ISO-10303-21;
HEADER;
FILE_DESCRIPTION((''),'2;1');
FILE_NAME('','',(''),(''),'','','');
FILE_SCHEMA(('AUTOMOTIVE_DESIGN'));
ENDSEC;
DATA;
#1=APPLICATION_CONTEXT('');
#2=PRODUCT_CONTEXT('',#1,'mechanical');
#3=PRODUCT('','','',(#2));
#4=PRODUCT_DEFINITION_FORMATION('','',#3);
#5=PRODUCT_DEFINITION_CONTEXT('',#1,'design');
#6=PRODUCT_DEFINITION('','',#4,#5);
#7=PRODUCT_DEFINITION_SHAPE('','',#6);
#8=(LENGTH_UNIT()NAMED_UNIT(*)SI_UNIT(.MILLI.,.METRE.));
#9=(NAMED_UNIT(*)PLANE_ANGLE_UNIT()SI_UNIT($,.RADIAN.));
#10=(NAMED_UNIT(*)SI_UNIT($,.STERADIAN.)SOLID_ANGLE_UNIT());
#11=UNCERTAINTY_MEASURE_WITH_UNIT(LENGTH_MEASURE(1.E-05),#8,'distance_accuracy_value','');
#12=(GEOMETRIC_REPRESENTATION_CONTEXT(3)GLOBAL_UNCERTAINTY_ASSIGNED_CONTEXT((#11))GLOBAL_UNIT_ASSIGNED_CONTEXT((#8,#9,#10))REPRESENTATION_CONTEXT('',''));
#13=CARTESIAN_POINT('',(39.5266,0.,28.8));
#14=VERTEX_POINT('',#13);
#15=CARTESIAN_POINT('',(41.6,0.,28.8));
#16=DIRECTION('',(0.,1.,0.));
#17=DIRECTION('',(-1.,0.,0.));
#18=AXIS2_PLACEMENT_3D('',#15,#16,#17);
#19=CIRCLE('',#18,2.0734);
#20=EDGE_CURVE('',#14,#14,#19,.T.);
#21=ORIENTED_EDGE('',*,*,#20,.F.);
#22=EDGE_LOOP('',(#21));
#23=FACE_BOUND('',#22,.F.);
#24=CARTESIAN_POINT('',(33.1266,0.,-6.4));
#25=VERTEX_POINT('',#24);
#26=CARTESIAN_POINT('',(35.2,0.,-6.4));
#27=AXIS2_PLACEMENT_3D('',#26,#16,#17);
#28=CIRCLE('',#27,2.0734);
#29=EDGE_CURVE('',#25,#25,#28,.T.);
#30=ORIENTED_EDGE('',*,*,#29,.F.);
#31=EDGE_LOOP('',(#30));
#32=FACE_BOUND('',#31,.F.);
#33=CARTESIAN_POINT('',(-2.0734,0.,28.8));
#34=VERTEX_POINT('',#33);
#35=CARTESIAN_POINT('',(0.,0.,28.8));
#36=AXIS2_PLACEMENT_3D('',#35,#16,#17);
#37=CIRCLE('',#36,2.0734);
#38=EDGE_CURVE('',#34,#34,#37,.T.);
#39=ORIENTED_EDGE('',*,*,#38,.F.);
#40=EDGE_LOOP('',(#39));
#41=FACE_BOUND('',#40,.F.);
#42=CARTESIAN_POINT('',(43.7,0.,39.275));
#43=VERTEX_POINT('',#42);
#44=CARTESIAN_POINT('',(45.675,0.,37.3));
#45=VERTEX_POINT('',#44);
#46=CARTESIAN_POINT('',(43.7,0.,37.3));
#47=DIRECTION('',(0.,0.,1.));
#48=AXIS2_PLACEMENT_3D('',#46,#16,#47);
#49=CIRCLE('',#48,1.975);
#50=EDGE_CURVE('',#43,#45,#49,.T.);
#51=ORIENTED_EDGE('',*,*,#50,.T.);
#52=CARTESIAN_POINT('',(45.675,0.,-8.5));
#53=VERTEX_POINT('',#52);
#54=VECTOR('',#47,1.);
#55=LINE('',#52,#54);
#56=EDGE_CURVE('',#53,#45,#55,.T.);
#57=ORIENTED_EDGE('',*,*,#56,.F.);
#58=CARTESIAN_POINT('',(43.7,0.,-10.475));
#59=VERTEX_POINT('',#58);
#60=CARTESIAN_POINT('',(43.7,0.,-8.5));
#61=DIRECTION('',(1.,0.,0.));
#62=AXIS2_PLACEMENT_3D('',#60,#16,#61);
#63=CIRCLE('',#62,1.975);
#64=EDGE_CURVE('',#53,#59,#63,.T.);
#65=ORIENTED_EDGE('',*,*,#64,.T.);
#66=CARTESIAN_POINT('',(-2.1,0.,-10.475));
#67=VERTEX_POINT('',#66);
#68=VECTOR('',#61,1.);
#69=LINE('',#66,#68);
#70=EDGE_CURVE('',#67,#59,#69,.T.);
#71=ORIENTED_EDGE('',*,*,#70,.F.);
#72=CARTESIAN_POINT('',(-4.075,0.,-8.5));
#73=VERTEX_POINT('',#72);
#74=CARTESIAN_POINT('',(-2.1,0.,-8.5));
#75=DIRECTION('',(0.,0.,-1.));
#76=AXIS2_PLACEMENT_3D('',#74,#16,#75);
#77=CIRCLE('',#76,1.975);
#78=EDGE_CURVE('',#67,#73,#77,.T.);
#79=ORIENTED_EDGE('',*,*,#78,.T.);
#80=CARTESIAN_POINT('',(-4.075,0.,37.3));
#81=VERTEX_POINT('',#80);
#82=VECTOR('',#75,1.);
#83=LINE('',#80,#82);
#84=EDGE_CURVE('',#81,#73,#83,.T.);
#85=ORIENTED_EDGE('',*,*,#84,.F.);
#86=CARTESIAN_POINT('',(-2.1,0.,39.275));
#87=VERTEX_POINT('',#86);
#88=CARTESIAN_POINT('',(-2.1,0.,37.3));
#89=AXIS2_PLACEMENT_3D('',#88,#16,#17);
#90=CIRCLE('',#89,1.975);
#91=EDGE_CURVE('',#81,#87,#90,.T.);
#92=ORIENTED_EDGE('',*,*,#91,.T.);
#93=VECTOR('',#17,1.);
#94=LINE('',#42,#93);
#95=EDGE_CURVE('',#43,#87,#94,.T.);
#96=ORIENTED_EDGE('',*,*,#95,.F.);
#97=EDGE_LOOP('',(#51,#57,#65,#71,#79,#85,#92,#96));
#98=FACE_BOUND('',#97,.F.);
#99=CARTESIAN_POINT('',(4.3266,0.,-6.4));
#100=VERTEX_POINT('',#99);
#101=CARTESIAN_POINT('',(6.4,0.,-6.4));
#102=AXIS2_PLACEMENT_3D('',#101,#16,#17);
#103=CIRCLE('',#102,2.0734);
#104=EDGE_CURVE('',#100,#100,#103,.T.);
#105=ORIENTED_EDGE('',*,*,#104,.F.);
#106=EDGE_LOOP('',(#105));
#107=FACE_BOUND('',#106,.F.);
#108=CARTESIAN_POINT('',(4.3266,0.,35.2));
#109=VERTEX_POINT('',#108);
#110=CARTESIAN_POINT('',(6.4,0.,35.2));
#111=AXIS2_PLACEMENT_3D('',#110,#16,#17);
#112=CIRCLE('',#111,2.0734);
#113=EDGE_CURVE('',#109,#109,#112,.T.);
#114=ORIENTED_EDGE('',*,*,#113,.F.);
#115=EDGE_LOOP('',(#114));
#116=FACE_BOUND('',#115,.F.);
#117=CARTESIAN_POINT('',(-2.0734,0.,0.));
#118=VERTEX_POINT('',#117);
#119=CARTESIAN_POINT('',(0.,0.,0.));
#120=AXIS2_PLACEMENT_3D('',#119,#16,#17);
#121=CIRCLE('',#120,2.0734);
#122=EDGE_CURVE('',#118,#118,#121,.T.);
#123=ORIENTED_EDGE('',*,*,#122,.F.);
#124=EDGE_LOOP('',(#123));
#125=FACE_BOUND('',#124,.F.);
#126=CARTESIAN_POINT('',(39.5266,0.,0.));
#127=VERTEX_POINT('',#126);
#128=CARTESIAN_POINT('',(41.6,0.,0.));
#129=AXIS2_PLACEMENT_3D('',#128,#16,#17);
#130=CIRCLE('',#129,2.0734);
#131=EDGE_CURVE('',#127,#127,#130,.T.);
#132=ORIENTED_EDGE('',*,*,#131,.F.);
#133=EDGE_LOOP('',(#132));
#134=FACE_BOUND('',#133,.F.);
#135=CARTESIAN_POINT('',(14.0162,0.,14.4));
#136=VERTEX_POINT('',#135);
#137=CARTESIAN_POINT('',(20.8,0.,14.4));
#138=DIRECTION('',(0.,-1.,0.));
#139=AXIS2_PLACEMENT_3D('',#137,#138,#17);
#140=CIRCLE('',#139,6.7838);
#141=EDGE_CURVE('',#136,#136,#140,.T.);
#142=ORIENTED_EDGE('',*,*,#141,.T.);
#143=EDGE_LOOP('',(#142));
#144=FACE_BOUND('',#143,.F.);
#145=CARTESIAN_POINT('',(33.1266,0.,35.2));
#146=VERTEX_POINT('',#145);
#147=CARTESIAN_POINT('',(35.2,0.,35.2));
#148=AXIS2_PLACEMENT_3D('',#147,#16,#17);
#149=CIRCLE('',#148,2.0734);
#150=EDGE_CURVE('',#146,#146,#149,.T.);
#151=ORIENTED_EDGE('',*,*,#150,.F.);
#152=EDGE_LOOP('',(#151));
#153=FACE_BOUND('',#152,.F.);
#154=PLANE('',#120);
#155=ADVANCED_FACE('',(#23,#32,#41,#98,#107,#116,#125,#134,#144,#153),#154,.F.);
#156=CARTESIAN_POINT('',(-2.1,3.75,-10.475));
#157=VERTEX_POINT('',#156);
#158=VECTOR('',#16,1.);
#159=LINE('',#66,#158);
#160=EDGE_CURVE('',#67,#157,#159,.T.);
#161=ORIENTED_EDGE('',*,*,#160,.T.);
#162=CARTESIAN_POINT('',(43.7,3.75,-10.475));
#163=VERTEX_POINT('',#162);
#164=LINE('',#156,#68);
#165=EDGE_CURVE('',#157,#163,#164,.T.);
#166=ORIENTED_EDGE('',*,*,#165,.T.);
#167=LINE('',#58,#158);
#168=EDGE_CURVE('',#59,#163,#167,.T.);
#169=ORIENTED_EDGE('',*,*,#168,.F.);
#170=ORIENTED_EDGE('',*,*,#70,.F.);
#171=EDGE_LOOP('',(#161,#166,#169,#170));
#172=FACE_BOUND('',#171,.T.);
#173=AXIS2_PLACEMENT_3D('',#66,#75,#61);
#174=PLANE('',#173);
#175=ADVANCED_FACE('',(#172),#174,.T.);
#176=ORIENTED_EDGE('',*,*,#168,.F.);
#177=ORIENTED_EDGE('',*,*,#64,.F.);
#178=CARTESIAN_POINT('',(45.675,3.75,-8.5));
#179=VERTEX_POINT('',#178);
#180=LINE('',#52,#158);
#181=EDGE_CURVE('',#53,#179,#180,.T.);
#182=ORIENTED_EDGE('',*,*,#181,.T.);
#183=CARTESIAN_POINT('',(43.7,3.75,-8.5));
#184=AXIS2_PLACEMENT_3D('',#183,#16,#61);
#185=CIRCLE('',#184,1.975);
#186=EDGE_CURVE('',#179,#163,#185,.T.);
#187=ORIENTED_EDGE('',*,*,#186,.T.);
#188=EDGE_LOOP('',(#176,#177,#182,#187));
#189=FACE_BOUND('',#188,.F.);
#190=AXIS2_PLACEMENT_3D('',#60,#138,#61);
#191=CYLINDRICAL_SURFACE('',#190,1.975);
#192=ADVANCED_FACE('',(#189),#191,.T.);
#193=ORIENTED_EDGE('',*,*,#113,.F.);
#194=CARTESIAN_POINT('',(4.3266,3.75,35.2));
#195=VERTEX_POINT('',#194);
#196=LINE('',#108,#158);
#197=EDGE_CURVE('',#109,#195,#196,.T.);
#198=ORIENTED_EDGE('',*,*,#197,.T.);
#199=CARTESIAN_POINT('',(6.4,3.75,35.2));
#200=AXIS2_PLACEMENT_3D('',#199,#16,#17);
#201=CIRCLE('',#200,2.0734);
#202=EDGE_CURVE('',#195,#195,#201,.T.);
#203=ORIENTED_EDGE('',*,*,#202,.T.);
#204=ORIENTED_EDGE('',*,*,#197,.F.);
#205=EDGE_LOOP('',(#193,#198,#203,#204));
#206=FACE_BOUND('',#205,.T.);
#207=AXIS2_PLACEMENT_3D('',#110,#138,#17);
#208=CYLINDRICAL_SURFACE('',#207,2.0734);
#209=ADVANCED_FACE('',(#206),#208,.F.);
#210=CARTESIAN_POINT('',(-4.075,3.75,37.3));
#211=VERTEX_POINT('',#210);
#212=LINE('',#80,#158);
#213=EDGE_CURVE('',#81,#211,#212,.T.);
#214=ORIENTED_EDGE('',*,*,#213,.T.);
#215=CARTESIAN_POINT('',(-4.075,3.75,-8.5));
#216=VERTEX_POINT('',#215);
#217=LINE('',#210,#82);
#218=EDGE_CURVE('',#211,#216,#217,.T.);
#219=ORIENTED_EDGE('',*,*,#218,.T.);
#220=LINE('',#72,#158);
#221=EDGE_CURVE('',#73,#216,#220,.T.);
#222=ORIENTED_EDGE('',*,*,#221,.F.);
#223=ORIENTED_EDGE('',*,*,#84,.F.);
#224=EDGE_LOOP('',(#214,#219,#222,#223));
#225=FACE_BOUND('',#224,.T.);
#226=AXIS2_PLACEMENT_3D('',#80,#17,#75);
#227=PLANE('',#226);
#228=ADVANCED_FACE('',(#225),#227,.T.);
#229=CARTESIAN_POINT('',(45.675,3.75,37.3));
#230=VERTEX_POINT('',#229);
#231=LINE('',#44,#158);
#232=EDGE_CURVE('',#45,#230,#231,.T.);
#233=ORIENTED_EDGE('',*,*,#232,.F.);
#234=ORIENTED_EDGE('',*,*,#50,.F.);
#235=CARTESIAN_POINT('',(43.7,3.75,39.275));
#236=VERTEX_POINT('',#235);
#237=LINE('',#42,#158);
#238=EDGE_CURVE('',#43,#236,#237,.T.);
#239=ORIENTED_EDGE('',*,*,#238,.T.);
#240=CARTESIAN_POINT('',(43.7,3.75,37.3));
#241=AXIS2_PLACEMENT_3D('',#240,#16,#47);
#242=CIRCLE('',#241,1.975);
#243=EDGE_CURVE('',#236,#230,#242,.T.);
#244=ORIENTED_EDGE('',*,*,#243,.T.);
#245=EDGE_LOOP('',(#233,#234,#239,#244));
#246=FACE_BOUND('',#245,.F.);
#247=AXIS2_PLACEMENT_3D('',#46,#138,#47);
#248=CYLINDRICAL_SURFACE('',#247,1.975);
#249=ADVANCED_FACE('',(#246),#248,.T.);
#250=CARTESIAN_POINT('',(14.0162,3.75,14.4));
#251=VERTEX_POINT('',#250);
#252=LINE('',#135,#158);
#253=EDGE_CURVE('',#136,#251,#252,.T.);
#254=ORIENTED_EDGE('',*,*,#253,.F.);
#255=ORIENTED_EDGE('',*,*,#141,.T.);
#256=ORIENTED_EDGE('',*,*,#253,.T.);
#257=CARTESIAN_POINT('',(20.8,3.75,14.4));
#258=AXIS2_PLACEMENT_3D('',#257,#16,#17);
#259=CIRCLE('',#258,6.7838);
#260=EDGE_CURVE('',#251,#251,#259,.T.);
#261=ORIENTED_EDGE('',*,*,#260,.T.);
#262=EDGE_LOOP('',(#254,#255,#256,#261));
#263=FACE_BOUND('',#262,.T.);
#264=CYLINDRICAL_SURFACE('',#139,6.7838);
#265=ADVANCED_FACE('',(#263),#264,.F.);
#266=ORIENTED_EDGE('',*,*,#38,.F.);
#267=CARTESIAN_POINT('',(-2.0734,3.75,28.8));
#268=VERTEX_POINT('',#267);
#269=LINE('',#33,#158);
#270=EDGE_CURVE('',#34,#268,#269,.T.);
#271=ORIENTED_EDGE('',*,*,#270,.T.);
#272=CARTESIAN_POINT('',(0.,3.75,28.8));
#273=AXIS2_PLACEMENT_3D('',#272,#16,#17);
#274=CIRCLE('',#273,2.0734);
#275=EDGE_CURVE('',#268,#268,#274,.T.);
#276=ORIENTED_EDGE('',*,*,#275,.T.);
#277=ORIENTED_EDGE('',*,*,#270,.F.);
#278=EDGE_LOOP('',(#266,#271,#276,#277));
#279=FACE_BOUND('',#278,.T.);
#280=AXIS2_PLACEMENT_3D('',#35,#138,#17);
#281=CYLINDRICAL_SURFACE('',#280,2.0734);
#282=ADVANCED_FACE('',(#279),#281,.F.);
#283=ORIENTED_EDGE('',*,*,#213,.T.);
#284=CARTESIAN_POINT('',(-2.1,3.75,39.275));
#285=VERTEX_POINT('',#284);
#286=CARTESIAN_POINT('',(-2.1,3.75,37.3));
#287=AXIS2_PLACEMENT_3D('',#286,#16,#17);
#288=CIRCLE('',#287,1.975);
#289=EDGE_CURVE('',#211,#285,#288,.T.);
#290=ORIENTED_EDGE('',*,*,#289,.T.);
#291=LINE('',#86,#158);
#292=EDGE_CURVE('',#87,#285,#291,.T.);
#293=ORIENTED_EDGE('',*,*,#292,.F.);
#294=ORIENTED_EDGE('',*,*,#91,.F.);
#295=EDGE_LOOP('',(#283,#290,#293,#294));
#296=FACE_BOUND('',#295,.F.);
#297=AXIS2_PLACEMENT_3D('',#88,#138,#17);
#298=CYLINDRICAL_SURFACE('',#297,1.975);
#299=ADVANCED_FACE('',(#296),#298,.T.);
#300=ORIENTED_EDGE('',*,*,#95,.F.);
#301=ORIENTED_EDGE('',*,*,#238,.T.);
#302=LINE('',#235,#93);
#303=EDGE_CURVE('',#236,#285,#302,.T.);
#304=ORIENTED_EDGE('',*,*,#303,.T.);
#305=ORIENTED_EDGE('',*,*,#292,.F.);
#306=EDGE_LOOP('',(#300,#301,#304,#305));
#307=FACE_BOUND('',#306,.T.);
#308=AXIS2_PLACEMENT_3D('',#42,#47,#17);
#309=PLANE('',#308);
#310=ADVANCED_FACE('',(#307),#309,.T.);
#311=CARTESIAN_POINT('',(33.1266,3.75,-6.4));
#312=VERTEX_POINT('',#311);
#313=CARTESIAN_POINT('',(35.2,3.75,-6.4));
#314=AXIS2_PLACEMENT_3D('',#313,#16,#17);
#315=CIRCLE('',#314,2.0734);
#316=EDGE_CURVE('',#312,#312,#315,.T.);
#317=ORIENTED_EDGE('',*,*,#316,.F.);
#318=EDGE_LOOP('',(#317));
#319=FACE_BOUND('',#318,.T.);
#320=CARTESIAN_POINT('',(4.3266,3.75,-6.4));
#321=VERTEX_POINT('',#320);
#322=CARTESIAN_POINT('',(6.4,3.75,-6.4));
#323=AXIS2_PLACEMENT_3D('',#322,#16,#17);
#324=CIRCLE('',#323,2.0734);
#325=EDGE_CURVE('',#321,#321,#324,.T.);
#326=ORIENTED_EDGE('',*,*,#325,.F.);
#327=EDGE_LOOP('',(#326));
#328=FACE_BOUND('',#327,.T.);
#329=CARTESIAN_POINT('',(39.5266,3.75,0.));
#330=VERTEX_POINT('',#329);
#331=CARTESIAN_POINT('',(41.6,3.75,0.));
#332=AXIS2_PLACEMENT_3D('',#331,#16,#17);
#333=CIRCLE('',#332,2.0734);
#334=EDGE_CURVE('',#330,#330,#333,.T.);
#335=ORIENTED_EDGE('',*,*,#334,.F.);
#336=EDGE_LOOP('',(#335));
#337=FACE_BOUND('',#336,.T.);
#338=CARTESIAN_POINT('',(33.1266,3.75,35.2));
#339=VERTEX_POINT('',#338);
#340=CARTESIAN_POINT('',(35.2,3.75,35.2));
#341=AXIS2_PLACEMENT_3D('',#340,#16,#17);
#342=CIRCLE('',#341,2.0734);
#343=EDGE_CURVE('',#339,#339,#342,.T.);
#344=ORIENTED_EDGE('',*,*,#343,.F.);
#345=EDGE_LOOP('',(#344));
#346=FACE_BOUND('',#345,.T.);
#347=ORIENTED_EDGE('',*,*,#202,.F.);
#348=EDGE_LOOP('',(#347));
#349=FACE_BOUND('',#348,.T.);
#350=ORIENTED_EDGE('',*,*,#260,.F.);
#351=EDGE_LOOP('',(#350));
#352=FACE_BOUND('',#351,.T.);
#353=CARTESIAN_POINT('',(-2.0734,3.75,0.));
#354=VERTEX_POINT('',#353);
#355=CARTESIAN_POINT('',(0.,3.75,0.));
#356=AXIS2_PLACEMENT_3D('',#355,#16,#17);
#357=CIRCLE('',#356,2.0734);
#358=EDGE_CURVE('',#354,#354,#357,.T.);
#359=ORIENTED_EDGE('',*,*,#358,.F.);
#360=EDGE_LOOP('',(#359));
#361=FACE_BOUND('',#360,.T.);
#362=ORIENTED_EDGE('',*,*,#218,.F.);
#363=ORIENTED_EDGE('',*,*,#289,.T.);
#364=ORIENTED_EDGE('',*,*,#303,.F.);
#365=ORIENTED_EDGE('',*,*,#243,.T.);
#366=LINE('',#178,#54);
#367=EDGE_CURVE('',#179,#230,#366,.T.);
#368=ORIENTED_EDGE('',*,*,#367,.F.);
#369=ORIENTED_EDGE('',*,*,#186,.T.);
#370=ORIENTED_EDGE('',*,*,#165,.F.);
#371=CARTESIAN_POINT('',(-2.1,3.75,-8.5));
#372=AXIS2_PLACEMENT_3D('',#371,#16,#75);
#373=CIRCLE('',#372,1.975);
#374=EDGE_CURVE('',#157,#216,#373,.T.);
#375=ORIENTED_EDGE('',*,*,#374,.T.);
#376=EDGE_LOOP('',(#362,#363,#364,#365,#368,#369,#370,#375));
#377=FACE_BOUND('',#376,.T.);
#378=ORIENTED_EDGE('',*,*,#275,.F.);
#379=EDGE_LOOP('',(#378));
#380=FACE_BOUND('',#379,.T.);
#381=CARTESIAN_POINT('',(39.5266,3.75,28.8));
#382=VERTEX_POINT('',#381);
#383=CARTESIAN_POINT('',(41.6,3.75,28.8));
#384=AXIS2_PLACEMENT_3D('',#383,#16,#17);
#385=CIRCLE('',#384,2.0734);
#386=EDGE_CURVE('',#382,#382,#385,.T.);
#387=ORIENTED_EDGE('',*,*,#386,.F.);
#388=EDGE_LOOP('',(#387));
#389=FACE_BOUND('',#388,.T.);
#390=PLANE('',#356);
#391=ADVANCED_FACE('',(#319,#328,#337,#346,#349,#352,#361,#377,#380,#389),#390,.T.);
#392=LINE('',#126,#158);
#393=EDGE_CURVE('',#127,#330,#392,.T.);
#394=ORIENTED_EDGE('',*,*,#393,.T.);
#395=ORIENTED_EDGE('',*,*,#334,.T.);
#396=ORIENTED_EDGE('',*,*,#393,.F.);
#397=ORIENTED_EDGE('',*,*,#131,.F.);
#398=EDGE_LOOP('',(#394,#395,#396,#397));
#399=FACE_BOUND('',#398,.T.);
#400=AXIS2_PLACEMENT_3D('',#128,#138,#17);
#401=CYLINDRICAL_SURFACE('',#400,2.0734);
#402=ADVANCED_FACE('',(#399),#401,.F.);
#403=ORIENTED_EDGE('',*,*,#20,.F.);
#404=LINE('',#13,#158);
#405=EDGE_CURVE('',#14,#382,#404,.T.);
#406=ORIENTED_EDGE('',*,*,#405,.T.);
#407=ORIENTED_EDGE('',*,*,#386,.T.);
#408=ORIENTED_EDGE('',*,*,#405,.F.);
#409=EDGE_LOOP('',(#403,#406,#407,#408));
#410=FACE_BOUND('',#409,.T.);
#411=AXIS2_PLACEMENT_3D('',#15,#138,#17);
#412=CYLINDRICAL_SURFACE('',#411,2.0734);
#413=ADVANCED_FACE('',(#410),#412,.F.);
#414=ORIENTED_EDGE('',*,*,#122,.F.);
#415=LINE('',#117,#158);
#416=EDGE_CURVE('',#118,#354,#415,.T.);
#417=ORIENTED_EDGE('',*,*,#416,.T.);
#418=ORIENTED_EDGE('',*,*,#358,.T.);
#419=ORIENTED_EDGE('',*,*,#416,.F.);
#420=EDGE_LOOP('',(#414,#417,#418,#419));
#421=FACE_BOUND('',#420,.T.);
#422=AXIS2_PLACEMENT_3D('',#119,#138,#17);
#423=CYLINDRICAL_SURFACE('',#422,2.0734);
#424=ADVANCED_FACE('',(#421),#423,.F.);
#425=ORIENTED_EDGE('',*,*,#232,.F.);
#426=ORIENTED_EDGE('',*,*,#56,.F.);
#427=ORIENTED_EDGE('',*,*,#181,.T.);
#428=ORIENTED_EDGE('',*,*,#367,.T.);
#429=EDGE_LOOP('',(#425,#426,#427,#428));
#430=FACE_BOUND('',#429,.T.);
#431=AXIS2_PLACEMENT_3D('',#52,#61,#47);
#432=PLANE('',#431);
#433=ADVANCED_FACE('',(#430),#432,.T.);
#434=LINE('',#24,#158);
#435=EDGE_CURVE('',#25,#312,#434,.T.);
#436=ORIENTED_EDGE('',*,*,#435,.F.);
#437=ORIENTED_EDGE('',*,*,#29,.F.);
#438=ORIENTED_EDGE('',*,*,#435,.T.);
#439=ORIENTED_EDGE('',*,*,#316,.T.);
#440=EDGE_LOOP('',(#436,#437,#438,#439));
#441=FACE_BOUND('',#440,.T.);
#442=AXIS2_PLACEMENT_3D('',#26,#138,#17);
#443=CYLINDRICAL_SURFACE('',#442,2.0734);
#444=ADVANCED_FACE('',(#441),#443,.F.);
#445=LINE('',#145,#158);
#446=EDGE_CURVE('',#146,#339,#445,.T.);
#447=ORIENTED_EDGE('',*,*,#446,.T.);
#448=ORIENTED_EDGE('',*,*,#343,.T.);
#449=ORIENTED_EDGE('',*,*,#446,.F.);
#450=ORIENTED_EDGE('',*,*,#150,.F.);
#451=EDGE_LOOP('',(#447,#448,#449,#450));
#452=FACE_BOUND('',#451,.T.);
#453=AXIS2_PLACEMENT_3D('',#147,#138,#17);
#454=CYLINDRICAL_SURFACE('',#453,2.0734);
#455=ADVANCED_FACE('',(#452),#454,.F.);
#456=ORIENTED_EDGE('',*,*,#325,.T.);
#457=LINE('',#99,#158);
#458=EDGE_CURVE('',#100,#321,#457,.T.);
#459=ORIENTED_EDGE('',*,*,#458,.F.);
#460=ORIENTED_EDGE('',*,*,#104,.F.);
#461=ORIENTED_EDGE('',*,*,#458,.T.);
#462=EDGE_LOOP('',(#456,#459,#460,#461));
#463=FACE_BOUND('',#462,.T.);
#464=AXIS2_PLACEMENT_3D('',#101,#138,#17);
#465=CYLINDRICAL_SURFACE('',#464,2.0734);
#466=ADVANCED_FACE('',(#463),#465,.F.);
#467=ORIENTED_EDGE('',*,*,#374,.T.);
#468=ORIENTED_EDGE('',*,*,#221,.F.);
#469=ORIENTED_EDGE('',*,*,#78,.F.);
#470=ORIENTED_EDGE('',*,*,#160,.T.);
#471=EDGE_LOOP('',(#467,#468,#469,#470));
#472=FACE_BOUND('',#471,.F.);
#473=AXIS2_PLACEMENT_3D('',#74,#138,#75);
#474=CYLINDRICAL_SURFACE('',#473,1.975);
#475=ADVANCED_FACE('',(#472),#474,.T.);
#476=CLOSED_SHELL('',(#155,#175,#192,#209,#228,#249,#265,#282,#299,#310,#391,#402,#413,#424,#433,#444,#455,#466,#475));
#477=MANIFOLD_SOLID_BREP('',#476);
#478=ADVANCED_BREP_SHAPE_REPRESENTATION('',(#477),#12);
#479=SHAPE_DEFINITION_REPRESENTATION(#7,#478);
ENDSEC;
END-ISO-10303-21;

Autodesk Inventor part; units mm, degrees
ref_plane "YZ Plane" through (0, 0, 0) normal (1, 0, 0) x (0, 1, 0)
ref_plane "XZ Plane" through (0, 0, 0) normal (0, 1, 0) x (-1, 0, 0)
ref_plane "XY Plane" through (0, 0, 0) normal (0, 0, 1) x (1, 0, 0)
sketch "Sketch1" plane through (0, 0, 0) normal (0, 1, 0) x (-1, 0, 0)
  circle A0 centre (-20.8, 14.4) radius 6.7838
  circle A1 centre (-42.7, -7.5) radius 1.875 projected
  circle A2 centre (1.1, 36.3) radius 1.875 projected
  circle A3 centre (1.1, -7.5) radius 1.875 projected
  circle A4 centre (-42.7, 36.3) radius 1.875 projected
  circle A5 centre (-6.4, 35.2) radius 2.0734 projected
  circle A6 centre (-35.2, -6.4) radius 2.0734 projected
  circle A7 centre (-6.4, -6.4) radius 2.0734 projected
  circle A8 centre (0, 0) radius 2.0734 projected
  line L0 (-37.85, 31.45) -> (-37.85, -2.65) projected
  line L1 (-3.75, 31.45) -> (-37.85, 31.45) projected
  line L2 (-3.75, -2.65) -> (-3.75, 31.45) projected
  line L3 (-37.85, -2.65) -> (-3.75, -2.65) projected
  circle A9 centre (0, 28.8) radius 2.0734 projected
  circle A10 centre (-35.2, 35.2) radius 2.0734 projected
  circle A11 centre (-41.6, 0) radius 2.0734 projected
  circle A12 centre (-41.6, 28.8) radius 2.0734 projected
  line L4 (-43.7, 39.275) -> (2.1, 39.275) projected
  arc A13 (-43.7, 39.275) -> (-45.675, 37.3) centre (-43.7, 37.3) ccw projected
  line L5 (-45.675, -8.5) -> (-45.675, 37.3) projected
  arc A14 (-45.675, -8.5) -> (-43.7, -10.475) centre (-43.7, -8.5) ccw projected
  line L6 (2.1, -10.475) -> (-43.7, -10.475) projected
  arc A15 (2.1, -10.475) -> (4.075, -8.5) centre (2.1, -8.5) ccw projected
  line L7 (4.075, 37.3) -> (4.075, -8.5) projected
  arc A16 (4.075, 37.3) -> (2.1, 39.275) centre (2.1, 37.3) ccw projected
  line L8 (-3.75, 14.4) -> (-37.85, 14.4)
  dimension "d36" = 13.5675
extrude "Extrusion1" add sketch "Sketch1" along normal blind 3.75 contours L8 L2 L3 L0 A0 | A0 L8 L0 L1 L2 | A1 | A2 | A3 | A4 | L4 A16 L7 A15 L6 A14 L5 A13
properties part number "Top Mount (SM05)"
